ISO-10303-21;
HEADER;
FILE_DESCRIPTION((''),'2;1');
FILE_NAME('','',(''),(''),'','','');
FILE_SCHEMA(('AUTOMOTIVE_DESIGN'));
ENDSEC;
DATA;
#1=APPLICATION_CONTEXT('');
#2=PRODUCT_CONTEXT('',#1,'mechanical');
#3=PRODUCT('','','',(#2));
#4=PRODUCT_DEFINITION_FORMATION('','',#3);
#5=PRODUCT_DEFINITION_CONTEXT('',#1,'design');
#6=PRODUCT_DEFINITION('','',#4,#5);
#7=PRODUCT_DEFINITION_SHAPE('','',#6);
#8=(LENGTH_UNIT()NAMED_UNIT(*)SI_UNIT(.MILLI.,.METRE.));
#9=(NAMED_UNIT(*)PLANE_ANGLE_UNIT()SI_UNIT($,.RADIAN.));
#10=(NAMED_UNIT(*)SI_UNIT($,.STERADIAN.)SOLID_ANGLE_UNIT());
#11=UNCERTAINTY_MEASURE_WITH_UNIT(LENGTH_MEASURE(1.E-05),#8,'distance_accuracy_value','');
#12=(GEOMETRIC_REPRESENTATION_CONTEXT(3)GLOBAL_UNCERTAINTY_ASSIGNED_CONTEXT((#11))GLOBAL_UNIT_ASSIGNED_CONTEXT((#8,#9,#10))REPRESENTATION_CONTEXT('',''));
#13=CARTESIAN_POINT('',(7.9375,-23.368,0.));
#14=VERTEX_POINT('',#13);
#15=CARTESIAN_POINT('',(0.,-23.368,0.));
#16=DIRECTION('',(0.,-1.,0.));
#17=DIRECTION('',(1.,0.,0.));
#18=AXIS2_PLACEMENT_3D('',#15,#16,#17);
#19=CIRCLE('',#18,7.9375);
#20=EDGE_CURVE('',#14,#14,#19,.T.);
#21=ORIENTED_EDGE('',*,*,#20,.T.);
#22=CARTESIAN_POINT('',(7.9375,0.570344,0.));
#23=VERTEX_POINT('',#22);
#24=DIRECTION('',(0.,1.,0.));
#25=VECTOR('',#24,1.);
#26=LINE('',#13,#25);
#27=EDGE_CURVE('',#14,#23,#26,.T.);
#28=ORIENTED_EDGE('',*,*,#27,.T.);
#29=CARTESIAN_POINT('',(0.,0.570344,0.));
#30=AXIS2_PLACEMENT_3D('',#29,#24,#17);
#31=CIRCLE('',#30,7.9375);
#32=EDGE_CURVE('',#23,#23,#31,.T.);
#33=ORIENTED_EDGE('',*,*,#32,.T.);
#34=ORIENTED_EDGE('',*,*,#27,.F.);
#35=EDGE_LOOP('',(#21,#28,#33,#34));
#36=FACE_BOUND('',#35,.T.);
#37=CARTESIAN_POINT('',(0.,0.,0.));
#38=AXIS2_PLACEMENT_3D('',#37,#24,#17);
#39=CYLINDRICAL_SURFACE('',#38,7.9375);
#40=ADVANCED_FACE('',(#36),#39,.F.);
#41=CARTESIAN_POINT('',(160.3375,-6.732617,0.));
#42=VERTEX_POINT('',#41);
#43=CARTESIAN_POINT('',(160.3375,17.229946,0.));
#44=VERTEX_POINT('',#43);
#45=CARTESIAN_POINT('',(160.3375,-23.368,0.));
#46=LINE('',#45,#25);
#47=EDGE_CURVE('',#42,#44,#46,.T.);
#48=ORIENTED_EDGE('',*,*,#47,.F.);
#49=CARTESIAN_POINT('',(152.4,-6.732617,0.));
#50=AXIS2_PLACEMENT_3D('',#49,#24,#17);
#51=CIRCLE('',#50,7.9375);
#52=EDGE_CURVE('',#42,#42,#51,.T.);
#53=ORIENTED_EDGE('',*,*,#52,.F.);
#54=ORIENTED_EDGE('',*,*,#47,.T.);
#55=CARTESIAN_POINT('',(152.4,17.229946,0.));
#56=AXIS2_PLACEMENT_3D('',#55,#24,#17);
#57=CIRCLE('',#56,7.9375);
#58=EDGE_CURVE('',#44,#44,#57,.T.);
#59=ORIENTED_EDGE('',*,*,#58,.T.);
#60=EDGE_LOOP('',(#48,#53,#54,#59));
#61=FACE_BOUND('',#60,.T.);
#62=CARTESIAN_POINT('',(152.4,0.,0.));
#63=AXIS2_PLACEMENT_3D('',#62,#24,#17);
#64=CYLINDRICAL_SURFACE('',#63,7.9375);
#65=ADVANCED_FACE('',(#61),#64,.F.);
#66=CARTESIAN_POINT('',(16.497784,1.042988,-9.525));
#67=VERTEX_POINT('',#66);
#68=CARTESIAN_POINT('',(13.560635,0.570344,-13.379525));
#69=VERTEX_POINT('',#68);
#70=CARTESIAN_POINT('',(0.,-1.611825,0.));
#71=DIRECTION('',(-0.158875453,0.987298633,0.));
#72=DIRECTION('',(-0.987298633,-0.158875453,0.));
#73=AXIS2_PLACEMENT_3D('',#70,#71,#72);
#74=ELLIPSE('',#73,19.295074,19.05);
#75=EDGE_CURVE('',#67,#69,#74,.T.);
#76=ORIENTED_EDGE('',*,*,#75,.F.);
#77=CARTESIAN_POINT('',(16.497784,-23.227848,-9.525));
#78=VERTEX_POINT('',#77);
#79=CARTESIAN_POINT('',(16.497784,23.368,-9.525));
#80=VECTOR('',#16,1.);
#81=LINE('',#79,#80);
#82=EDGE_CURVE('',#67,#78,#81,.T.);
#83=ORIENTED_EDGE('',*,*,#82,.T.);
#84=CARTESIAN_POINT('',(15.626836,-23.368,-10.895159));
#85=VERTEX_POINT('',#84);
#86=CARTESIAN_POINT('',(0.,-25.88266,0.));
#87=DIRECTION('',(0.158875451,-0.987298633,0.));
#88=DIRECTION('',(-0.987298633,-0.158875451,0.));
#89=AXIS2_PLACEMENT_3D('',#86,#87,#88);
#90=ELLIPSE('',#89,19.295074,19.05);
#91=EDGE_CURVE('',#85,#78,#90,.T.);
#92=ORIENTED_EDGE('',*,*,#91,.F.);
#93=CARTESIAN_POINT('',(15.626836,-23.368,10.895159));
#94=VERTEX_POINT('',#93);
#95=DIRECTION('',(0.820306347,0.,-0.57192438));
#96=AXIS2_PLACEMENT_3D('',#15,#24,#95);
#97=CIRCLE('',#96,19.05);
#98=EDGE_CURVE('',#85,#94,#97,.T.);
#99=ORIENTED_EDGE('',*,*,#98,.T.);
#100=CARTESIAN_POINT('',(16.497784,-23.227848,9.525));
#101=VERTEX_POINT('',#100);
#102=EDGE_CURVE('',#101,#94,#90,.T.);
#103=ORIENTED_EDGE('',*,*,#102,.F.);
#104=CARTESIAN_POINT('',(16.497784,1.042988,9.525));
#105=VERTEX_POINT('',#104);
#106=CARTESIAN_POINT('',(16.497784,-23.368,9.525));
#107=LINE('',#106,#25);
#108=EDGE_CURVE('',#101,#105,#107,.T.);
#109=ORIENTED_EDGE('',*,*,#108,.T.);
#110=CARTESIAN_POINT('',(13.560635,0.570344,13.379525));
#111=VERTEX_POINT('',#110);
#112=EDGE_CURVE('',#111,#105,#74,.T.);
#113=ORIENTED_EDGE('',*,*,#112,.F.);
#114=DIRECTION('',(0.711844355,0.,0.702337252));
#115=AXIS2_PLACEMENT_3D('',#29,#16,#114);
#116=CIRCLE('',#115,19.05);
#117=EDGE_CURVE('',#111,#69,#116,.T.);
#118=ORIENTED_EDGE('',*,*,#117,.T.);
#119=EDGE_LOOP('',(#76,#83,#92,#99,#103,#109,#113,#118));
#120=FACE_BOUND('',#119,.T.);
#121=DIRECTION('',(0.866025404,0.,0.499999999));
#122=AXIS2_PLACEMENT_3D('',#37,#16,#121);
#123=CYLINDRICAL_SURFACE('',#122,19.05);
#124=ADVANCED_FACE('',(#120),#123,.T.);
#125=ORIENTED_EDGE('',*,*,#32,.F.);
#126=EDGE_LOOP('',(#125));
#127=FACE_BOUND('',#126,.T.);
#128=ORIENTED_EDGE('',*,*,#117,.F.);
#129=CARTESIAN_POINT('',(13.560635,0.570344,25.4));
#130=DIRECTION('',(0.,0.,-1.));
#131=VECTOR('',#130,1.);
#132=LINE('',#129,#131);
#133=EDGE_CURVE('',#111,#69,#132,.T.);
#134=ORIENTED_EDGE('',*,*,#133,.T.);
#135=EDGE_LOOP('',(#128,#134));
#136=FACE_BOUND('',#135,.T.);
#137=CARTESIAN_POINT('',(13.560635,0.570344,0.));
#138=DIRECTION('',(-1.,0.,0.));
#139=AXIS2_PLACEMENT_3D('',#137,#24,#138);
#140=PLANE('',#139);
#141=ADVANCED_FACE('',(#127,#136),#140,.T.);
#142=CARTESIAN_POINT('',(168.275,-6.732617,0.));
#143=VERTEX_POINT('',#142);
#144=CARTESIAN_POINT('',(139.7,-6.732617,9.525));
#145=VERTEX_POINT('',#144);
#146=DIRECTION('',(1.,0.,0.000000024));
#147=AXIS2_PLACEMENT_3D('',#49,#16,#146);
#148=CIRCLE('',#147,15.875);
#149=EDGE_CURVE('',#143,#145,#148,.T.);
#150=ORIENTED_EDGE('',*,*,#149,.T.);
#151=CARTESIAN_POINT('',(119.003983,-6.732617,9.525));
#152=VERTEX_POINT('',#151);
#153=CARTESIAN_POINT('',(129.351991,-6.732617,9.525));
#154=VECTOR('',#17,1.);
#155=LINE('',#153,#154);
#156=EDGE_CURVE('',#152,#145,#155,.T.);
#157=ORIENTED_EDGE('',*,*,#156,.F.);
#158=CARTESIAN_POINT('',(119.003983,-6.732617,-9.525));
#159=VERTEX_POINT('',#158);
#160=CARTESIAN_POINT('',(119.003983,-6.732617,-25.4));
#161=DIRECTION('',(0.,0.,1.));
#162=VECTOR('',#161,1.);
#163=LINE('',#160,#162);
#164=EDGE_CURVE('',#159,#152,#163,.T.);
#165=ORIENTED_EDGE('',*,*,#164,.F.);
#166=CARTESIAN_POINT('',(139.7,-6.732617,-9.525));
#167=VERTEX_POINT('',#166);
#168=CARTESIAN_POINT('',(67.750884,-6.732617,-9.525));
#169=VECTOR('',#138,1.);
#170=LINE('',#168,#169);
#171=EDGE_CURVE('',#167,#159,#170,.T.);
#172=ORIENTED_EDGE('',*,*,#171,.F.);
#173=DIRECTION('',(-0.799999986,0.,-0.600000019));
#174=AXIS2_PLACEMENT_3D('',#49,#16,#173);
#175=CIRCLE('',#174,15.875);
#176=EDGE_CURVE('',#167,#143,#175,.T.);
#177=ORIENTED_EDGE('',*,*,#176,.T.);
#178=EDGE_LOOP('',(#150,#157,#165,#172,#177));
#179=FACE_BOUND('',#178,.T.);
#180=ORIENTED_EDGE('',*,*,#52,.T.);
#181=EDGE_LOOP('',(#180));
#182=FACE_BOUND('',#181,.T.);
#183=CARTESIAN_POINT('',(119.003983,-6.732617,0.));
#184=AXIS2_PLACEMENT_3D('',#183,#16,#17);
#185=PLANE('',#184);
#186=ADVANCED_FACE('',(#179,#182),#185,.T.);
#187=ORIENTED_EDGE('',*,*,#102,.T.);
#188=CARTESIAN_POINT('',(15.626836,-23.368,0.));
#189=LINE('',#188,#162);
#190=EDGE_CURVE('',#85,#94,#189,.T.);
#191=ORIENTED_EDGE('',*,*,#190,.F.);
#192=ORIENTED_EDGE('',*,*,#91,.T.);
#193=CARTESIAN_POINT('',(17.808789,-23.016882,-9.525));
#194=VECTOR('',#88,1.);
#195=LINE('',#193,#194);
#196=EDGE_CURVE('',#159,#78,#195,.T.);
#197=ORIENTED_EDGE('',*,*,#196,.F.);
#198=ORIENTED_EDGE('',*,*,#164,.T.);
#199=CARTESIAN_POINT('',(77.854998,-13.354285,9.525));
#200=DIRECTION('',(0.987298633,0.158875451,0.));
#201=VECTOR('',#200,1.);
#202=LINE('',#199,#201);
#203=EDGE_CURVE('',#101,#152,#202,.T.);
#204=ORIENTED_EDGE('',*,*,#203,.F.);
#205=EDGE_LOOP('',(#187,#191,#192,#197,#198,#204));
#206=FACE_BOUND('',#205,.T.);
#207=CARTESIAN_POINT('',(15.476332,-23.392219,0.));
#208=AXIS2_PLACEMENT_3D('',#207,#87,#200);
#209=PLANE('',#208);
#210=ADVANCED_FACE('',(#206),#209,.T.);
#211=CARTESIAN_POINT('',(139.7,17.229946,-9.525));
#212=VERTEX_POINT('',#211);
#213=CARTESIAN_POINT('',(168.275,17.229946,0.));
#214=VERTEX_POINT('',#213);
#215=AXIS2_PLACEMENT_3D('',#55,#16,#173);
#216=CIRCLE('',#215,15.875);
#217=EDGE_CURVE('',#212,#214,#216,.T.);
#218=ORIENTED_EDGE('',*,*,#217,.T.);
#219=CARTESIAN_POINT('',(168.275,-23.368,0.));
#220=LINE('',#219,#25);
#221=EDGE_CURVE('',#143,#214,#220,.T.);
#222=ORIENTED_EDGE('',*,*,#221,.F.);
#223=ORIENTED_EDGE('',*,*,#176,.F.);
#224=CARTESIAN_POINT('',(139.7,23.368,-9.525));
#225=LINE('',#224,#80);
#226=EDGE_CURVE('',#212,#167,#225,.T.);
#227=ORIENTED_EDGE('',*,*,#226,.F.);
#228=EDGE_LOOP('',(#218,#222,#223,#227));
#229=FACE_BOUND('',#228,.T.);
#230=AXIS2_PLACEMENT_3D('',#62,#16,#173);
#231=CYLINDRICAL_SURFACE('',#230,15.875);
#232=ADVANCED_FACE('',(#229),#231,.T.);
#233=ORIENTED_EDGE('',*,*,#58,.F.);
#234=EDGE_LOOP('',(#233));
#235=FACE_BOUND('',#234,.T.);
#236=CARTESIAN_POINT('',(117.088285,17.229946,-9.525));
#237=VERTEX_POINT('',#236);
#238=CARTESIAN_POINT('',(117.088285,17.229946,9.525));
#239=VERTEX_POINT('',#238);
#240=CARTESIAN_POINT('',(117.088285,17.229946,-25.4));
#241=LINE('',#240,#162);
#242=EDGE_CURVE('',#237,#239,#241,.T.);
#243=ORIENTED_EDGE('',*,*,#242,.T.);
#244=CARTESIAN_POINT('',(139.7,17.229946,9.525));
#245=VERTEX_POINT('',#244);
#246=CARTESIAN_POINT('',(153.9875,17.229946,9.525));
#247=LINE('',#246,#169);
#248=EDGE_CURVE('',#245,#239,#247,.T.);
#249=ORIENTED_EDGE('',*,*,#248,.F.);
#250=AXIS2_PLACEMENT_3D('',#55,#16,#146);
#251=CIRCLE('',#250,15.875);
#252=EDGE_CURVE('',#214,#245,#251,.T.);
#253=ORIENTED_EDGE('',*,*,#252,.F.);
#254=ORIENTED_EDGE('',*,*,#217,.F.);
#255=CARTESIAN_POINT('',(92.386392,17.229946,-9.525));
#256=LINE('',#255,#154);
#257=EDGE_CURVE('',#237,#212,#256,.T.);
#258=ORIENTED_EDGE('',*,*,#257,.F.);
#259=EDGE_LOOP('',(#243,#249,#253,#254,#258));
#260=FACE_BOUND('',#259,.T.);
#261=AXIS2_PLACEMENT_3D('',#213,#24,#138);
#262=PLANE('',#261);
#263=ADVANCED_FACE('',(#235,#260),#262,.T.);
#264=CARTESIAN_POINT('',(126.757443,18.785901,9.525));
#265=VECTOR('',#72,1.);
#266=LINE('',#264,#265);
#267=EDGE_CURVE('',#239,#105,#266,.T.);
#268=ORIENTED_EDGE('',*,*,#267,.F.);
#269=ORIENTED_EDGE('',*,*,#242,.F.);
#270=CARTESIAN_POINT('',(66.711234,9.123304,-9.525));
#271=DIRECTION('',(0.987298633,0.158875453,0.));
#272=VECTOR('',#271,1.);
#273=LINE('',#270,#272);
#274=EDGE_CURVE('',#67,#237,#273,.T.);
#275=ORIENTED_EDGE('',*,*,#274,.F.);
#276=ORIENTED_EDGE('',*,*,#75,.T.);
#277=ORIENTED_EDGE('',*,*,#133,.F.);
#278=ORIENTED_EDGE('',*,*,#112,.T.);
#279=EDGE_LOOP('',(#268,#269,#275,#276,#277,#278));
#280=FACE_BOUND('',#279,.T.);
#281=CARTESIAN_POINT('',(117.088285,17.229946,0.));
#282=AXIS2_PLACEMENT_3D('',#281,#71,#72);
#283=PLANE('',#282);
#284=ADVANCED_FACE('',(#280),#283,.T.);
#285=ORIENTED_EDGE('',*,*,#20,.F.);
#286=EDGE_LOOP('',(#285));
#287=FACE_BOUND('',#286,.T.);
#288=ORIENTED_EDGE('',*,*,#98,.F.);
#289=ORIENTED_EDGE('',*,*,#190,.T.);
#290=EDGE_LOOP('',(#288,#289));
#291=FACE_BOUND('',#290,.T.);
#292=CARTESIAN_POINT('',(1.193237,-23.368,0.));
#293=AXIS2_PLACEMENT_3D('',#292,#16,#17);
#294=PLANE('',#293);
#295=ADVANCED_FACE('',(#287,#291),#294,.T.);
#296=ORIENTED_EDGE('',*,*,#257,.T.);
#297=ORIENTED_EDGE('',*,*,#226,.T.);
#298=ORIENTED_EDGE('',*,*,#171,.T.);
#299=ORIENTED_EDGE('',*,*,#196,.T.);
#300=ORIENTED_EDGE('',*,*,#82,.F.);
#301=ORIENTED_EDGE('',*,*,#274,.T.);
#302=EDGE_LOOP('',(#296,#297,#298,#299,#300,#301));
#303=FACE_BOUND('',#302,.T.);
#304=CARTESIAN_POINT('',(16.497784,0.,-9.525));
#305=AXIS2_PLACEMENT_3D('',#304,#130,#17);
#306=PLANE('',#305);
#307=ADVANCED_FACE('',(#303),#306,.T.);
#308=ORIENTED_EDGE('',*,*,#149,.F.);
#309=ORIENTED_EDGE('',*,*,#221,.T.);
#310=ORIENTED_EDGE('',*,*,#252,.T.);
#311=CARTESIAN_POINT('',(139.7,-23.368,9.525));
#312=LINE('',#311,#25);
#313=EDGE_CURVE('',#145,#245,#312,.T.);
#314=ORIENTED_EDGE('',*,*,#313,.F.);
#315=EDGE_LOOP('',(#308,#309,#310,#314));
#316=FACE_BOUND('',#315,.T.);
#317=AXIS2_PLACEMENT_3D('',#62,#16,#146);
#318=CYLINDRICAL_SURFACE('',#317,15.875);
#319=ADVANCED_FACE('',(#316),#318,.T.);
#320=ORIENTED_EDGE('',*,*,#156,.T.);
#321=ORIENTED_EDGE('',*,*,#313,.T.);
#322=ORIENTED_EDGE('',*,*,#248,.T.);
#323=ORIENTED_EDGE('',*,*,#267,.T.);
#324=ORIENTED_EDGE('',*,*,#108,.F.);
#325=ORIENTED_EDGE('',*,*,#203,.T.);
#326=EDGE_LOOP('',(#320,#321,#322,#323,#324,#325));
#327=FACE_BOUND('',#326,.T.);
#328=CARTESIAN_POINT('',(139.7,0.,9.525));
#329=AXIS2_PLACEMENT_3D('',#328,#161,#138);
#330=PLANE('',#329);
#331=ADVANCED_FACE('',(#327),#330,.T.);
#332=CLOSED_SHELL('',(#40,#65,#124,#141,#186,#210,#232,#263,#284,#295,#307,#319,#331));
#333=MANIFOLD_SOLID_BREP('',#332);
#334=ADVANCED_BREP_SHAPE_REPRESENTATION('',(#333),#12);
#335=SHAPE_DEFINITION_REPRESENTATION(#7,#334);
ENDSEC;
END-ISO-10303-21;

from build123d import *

# Parameters (mm, degrees)
F0_R     = 7.9375
F1_DEPTH = 23.368
F3_DEPTH = 25.4


with BuildPart() as f1:
    # F0 (on Front) → F1 (new body, symmetric)
    with BuildSketch(Plane.XZ):
        with BuildLine():
            ThreePointArc((16.497784, -9.525), (18.400887, -4.930503), (19.05, 0))
            ThreePointArc((19.05, 0), (18.400887, 4.930503), (16.497784, 9.525))
            ThreePointArc((16.497784, 9.525), (-19.05, 0), (16.497784, -9.525))
        make_face()
        Circle(F0_R, mode=Mode.SUBTRACT)
        with BuildLine():
            ThreePointArc((16.497784, 9.525), (18.400887, 4.930503), (19.05, 0))
            ThreePointArc((19.05, 0), (18.400887, -4.930503), (16.497784, -9.525))
            Line((16.497784, -9.525), (139.7, -9.525))
            ThreePointArc((139.7, -9.525), (136.525, 0), (139.7, 9.525))
            Line((139.7, 9.525), (16.497784, 9.525))
        make_face()
        with BuildLine():
            ThreePointArc((168.275, 0), (157.420116, 15.060347), (139.7, 9.525))
            ThreePointArc((139.7, 9.525), (136.525, 0), (139.7, -9.525))
            ThreePointArc((139.7, -9.525), (157.420116, -15.060347), (168.275, 0))
        make_face()
        with Locations((152.4, 0)):
            Circle(F0_R, mode=Mode.SUBTRACT)
    extrude(amount=F1_DEPTH, both=True)

    # F2 (on Top) → F3 (intersect, symmetric)
    with BuildSketch(Plane.XY):
        Polygon((-19.05, -23.368), (-19.05, -23.392219), (15.476332, -23.392219), (119.003983, -6.732617), (168.275, -6.732617), (168.275, 17.229946), (117.088285, 17.229946), (13.560635, 0.570344), (-19.05, 0.570344), (-19.05, -18.542036), align=None)
    extrude(amount=F3_DEPTH, both=True, mode=Mode.INTERSECT)


solid = f1.part
